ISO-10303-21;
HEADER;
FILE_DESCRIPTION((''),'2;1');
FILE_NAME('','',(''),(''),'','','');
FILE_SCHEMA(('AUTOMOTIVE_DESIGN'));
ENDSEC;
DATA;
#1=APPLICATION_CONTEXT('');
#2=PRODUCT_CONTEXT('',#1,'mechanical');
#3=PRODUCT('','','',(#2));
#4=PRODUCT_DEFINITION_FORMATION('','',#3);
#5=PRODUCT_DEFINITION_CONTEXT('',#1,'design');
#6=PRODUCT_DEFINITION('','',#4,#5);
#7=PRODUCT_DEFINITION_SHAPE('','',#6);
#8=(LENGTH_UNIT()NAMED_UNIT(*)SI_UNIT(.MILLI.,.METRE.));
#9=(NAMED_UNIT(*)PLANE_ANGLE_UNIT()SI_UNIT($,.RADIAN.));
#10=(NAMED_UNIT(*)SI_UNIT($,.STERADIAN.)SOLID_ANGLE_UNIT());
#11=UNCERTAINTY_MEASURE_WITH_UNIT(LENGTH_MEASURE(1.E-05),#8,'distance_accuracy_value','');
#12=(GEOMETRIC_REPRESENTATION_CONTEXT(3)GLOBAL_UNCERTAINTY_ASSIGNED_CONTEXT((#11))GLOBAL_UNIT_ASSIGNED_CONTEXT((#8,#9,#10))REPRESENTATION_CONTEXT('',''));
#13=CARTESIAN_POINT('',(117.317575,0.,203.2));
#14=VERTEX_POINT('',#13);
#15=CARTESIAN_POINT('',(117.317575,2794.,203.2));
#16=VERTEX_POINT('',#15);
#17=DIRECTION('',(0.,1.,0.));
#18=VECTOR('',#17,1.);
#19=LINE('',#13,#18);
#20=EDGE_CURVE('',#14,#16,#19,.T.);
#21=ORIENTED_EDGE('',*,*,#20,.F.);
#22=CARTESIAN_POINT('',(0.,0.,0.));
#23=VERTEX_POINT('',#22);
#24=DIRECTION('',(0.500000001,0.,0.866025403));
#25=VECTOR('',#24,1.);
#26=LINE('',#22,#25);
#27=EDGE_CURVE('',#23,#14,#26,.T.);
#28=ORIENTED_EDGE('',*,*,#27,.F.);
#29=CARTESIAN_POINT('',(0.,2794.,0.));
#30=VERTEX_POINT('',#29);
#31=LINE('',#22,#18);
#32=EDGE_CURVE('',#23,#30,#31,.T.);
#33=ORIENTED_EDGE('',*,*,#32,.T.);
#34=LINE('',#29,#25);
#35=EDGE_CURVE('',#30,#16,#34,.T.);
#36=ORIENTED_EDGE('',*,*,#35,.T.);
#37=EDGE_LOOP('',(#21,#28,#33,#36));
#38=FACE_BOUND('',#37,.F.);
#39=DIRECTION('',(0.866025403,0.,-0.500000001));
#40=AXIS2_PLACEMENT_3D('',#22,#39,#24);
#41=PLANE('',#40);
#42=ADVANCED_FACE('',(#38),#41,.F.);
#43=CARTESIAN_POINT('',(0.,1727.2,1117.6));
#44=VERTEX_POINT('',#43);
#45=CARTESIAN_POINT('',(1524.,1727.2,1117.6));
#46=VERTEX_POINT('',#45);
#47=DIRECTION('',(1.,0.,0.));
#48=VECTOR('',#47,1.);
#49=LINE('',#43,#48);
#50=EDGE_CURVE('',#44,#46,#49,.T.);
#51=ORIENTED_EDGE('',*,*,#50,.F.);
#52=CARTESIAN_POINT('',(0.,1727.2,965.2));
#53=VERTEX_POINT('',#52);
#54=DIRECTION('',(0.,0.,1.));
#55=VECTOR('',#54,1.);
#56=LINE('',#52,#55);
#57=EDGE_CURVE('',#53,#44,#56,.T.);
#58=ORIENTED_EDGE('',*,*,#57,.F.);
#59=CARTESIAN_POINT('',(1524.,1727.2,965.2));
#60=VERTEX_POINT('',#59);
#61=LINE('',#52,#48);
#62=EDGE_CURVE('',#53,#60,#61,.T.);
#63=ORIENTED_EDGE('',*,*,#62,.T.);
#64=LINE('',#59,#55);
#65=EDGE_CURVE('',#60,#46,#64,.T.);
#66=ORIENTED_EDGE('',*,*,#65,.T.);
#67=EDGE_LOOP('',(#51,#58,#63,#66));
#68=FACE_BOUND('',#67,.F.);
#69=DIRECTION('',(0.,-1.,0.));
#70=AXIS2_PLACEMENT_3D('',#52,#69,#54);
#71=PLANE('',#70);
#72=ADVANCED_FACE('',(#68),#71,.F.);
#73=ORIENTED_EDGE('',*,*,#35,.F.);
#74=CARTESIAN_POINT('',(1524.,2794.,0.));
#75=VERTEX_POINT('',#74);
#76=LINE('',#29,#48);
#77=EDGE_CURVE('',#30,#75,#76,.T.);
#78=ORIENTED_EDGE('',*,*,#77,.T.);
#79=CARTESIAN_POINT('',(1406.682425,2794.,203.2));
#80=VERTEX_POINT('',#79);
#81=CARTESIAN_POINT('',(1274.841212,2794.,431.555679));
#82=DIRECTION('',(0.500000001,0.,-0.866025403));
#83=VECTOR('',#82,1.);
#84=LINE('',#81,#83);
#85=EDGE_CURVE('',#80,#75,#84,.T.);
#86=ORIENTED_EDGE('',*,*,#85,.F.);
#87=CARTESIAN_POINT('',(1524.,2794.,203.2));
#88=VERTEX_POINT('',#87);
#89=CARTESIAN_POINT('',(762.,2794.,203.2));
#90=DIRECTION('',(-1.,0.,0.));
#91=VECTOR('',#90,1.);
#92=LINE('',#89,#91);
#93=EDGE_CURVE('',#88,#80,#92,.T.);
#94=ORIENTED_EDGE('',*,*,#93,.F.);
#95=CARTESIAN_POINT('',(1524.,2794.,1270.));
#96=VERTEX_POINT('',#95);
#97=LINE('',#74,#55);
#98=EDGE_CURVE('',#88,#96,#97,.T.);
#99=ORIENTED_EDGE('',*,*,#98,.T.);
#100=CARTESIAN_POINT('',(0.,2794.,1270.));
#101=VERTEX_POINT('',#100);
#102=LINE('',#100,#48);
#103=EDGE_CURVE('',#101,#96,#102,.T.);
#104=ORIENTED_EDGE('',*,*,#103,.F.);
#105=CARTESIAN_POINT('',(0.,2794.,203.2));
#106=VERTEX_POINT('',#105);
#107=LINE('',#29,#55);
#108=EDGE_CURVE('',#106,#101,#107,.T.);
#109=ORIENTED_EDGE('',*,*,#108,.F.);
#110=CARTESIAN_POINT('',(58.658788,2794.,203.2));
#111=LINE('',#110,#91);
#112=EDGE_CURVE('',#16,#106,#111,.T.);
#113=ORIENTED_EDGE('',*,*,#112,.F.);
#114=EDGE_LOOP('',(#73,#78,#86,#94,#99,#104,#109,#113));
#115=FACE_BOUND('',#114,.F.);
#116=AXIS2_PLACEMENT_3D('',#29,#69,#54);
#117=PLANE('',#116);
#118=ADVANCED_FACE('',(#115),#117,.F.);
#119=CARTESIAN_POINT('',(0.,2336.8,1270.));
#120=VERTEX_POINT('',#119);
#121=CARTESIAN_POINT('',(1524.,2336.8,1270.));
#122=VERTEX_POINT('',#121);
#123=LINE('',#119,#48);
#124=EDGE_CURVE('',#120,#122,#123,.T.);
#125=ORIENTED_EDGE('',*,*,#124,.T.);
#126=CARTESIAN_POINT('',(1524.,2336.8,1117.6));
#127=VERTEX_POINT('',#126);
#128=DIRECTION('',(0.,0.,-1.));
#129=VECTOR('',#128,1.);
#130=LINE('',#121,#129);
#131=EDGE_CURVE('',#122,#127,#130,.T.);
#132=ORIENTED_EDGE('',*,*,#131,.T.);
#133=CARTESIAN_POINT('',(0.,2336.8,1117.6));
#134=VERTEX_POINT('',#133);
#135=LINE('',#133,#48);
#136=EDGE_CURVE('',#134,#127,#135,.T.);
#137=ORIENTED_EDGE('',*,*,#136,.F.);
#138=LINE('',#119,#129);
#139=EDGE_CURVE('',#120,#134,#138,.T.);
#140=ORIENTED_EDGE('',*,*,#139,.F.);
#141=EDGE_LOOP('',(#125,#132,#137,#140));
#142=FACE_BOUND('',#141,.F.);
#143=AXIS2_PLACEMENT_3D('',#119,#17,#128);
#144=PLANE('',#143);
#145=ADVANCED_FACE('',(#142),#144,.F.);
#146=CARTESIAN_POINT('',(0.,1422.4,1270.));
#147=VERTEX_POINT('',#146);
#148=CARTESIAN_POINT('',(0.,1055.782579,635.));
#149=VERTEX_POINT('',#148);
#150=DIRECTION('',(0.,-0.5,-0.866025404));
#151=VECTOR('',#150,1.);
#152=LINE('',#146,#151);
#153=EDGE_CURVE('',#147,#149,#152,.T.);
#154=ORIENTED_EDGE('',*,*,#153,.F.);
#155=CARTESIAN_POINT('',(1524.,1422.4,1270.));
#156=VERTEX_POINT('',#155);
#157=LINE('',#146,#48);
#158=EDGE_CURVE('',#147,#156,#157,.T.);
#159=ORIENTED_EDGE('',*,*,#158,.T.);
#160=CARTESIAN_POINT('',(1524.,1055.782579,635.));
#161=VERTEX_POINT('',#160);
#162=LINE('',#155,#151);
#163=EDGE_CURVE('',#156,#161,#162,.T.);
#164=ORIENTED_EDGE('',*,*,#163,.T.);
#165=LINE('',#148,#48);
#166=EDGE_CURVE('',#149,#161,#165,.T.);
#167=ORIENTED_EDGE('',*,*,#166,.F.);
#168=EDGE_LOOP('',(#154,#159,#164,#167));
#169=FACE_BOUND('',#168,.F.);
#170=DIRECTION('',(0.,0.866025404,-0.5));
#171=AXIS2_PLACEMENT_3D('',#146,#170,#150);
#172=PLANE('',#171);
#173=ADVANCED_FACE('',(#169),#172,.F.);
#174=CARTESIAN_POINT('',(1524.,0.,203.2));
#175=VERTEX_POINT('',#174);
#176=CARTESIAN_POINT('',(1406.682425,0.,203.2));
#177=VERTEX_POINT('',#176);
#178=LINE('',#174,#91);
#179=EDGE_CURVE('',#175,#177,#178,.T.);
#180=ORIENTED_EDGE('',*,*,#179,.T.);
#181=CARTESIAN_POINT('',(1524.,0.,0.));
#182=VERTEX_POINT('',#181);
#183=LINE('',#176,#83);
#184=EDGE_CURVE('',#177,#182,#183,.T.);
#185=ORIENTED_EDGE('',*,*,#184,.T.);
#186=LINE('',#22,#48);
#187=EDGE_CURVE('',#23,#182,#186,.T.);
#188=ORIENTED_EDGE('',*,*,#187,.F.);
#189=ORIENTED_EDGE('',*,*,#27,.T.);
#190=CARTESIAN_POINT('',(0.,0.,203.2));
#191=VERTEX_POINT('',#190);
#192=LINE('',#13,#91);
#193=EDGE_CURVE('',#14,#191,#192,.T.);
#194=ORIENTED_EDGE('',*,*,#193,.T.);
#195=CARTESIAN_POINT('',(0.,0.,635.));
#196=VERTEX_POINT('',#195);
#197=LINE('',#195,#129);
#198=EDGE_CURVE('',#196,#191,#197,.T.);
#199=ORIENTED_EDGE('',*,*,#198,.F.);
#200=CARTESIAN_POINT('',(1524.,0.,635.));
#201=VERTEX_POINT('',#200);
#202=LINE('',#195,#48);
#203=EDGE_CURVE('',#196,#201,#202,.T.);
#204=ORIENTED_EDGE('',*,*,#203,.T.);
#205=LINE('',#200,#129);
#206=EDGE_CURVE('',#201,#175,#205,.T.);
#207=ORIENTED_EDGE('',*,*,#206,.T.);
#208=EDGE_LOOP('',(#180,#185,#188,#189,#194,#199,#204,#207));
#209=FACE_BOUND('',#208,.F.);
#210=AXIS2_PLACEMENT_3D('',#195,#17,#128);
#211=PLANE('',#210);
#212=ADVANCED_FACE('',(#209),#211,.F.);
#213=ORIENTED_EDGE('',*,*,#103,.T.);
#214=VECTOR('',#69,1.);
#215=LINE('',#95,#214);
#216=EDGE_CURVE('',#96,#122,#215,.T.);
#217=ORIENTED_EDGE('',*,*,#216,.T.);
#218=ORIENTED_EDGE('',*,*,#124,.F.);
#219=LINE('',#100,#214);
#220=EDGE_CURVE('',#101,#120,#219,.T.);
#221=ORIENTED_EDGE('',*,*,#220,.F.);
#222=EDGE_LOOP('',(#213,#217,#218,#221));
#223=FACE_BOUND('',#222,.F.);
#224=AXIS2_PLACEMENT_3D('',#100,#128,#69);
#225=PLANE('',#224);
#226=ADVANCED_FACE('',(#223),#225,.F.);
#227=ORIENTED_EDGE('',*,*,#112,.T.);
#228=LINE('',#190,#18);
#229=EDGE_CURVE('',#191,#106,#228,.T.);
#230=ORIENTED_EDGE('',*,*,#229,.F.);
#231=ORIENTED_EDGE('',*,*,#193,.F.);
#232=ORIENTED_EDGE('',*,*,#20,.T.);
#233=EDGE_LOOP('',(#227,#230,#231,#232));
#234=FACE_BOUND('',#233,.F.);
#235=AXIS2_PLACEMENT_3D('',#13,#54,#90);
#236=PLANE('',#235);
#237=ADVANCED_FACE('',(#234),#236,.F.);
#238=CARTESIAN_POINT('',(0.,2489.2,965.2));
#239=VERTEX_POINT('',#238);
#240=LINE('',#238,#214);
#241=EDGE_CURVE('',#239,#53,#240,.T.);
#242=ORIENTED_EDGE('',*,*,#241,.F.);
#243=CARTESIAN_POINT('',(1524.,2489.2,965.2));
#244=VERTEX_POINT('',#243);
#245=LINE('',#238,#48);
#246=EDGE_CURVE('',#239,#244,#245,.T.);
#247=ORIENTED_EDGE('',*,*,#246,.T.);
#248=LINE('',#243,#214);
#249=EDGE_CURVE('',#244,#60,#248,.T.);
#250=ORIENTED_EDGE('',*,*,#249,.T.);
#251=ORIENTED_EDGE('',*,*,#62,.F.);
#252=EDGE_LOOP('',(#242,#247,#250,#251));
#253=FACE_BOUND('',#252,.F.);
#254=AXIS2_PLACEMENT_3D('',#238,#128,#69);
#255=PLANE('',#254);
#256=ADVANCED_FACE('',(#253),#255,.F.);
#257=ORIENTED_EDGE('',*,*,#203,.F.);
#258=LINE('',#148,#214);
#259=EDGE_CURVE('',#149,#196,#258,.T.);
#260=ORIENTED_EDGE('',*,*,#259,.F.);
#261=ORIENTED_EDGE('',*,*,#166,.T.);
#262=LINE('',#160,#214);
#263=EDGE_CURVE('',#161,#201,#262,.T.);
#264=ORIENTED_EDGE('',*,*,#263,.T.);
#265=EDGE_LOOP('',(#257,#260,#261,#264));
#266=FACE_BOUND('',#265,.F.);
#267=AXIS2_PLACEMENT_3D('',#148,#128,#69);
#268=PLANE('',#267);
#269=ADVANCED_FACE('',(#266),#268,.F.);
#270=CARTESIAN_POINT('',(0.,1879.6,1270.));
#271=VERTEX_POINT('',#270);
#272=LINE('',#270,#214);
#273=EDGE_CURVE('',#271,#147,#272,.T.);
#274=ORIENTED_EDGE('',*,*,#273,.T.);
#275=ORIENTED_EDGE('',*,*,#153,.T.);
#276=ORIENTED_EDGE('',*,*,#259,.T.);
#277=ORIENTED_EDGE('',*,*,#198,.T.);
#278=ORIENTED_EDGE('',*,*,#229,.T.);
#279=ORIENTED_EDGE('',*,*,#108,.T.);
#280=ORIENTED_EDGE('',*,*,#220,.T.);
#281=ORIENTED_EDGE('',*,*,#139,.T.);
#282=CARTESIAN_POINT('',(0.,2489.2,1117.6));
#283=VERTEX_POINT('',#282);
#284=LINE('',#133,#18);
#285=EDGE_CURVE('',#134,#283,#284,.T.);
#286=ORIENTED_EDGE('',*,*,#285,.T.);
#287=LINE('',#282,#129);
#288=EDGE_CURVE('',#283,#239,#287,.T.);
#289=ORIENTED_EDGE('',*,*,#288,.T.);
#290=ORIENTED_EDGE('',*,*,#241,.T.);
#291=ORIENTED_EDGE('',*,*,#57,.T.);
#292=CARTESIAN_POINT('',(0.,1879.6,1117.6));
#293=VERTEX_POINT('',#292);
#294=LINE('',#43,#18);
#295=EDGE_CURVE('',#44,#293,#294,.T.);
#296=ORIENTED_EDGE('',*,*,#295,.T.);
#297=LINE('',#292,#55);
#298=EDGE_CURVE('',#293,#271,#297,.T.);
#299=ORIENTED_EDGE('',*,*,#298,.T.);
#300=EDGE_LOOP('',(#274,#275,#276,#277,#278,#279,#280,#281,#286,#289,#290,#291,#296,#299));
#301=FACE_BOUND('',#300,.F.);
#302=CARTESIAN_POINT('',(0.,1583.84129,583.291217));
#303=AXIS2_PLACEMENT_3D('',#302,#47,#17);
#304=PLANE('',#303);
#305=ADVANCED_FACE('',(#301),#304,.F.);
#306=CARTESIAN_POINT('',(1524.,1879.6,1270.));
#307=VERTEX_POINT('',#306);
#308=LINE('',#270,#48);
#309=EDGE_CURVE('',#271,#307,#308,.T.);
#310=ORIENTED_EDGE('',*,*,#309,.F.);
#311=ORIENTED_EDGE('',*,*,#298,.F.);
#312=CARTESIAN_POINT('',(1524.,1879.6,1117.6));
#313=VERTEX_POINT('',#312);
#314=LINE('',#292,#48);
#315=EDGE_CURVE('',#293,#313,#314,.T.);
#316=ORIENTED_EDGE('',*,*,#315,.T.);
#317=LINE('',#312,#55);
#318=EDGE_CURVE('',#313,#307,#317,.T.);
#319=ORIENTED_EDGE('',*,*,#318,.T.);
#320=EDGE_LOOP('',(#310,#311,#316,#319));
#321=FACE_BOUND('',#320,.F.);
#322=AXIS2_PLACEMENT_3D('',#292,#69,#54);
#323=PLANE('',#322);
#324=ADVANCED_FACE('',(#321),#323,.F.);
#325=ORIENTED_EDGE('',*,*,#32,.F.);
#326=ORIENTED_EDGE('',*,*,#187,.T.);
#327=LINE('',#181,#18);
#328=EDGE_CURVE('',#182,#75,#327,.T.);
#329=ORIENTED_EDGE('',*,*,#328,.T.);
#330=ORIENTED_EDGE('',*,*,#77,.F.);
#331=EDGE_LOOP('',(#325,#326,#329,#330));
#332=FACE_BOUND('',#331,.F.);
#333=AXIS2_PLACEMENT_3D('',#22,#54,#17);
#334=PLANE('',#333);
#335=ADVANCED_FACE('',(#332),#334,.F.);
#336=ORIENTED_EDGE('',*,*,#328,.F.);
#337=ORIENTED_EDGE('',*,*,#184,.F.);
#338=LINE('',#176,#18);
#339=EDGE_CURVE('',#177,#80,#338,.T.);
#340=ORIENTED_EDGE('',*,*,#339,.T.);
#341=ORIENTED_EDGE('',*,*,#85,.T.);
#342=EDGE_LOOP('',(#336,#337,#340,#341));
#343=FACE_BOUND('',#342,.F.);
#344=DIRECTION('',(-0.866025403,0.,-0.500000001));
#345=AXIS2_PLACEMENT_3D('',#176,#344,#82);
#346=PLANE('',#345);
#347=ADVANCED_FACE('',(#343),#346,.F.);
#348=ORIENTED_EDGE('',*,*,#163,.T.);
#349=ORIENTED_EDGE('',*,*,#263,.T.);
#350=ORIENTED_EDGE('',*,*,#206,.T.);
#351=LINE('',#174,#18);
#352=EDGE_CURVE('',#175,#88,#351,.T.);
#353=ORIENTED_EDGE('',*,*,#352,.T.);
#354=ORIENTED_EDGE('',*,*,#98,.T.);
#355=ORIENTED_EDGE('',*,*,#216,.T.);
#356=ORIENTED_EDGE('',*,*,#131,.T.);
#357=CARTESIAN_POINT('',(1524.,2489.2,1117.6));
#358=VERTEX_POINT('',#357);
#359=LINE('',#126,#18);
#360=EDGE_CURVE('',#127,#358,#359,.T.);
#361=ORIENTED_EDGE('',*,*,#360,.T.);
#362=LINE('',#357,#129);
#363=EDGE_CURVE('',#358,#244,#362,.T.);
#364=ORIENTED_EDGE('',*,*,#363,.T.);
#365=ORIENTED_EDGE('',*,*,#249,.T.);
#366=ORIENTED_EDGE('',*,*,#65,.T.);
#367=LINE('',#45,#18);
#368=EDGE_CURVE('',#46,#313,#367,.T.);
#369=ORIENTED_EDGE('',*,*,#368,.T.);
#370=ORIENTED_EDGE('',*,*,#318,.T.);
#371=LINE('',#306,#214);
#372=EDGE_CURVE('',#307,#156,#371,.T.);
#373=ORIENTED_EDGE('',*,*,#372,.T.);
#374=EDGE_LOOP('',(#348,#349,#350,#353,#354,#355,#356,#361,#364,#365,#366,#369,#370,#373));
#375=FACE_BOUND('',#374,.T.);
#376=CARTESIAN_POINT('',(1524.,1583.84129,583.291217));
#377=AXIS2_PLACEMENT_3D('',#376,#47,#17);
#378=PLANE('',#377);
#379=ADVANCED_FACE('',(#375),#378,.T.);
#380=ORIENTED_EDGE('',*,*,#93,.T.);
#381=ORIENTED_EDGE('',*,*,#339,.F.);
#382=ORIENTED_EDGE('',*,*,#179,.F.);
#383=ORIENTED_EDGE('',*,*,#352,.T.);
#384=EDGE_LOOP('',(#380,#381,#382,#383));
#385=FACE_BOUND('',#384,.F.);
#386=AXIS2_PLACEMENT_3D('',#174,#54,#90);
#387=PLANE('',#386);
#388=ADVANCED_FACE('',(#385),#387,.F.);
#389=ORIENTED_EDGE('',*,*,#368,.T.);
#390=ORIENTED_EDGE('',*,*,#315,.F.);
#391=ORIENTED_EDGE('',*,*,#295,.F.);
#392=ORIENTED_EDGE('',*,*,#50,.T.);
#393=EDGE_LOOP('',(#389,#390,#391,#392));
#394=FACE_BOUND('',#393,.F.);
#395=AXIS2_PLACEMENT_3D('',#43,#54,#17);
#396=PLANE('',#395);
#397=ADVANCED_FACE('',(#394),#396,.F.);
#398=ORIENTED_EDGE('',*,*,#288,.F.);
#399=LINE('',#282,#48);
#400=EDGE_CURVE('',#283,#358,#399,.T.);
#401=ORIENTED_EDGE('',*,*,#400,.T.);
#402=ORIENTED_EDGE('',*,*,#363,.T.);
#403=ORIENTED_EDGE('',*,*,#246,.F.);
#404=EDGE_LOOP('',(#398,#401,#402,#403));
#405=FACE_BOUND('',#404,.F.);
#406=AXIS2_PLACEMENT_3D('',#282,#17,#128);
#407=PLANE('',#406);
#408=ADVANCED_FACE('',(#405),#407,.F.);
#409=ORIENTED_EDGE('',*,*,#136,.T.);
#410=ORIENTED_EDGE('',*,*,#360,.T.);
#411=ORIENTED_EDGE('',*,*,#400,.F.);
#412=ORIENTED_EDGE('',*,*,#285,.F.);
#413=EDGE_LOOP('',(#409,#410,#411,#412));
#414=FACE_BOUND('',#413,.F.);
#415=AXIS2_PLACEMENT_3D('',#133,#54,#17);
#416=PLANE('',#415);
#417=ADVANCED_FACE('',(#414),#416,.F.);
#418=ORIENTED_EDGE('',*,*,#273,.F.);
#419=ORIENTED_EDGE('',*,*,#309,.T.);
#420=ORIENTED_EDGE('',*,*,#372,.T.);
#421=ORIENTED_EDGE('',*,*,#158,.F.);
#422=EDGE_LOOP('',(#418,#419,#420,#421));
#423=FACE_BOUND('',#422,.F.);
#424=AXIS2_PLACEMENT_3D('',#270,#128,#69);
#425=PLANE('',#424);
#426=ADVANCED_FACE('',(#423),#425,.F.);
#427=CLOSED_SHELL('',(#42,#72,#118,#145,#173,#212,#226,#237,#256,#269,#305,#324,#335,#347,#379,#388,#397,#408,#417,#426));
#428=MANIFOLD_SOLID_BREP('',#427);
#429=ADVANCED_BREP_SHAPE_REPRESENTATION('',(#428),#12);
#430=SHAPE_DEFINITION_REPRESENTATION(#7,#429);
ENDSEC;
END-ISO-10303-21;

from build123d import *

# Parameters (mm, degrees)
F1_DEPTH = 1524
F3_DEPTH = 2794.001
F4_DEPTH = 2794.001


with BuildPart() as f1:
    # F0 (on Right) → F1 (new body)
    with BuildSketch(Plane.YZ):
        Polygon((0, 214.141828), (0, 0), (2794, 0), (2794, 203.2), (2794, 1270), (2336.8, 1270), (2336.8, 1117.6), (2489.2, 1117.6), (2489.2, 965.2), (1727.2, 965.2), (1727.2, 1117.6), (1879.6, 1117.6), (1879.6, 1270), (1422.4, 1270), (1055.782579, 635), (0, 635), align=None)
    extrude(amount=F1_DEPTH)

    # F2 (on face) → F3 (cut, through all)
    with BuildSketch(Plane.XZ):
        Polygon((1406.682425, 203.2), (1524, 0), (1524, 203.2), align=None)
    extrude(amount=-F3_DEPTH, mode=Mode.SUBTRACT)

    # F2 (on face) → F4 (cut, through all)
    with BuildSketch(Plane.XZ):
        Polygon((1406.682425, 203.2), (1524, 0), (1524, 203.2), align=None)
        Polygon((0, 0), (117.317575, 203.2), (0, 203.2), align=None)
    extrude(amount=-F4_DEPTH, mode=Mode.SUBTRACT)


solid = f1.part
